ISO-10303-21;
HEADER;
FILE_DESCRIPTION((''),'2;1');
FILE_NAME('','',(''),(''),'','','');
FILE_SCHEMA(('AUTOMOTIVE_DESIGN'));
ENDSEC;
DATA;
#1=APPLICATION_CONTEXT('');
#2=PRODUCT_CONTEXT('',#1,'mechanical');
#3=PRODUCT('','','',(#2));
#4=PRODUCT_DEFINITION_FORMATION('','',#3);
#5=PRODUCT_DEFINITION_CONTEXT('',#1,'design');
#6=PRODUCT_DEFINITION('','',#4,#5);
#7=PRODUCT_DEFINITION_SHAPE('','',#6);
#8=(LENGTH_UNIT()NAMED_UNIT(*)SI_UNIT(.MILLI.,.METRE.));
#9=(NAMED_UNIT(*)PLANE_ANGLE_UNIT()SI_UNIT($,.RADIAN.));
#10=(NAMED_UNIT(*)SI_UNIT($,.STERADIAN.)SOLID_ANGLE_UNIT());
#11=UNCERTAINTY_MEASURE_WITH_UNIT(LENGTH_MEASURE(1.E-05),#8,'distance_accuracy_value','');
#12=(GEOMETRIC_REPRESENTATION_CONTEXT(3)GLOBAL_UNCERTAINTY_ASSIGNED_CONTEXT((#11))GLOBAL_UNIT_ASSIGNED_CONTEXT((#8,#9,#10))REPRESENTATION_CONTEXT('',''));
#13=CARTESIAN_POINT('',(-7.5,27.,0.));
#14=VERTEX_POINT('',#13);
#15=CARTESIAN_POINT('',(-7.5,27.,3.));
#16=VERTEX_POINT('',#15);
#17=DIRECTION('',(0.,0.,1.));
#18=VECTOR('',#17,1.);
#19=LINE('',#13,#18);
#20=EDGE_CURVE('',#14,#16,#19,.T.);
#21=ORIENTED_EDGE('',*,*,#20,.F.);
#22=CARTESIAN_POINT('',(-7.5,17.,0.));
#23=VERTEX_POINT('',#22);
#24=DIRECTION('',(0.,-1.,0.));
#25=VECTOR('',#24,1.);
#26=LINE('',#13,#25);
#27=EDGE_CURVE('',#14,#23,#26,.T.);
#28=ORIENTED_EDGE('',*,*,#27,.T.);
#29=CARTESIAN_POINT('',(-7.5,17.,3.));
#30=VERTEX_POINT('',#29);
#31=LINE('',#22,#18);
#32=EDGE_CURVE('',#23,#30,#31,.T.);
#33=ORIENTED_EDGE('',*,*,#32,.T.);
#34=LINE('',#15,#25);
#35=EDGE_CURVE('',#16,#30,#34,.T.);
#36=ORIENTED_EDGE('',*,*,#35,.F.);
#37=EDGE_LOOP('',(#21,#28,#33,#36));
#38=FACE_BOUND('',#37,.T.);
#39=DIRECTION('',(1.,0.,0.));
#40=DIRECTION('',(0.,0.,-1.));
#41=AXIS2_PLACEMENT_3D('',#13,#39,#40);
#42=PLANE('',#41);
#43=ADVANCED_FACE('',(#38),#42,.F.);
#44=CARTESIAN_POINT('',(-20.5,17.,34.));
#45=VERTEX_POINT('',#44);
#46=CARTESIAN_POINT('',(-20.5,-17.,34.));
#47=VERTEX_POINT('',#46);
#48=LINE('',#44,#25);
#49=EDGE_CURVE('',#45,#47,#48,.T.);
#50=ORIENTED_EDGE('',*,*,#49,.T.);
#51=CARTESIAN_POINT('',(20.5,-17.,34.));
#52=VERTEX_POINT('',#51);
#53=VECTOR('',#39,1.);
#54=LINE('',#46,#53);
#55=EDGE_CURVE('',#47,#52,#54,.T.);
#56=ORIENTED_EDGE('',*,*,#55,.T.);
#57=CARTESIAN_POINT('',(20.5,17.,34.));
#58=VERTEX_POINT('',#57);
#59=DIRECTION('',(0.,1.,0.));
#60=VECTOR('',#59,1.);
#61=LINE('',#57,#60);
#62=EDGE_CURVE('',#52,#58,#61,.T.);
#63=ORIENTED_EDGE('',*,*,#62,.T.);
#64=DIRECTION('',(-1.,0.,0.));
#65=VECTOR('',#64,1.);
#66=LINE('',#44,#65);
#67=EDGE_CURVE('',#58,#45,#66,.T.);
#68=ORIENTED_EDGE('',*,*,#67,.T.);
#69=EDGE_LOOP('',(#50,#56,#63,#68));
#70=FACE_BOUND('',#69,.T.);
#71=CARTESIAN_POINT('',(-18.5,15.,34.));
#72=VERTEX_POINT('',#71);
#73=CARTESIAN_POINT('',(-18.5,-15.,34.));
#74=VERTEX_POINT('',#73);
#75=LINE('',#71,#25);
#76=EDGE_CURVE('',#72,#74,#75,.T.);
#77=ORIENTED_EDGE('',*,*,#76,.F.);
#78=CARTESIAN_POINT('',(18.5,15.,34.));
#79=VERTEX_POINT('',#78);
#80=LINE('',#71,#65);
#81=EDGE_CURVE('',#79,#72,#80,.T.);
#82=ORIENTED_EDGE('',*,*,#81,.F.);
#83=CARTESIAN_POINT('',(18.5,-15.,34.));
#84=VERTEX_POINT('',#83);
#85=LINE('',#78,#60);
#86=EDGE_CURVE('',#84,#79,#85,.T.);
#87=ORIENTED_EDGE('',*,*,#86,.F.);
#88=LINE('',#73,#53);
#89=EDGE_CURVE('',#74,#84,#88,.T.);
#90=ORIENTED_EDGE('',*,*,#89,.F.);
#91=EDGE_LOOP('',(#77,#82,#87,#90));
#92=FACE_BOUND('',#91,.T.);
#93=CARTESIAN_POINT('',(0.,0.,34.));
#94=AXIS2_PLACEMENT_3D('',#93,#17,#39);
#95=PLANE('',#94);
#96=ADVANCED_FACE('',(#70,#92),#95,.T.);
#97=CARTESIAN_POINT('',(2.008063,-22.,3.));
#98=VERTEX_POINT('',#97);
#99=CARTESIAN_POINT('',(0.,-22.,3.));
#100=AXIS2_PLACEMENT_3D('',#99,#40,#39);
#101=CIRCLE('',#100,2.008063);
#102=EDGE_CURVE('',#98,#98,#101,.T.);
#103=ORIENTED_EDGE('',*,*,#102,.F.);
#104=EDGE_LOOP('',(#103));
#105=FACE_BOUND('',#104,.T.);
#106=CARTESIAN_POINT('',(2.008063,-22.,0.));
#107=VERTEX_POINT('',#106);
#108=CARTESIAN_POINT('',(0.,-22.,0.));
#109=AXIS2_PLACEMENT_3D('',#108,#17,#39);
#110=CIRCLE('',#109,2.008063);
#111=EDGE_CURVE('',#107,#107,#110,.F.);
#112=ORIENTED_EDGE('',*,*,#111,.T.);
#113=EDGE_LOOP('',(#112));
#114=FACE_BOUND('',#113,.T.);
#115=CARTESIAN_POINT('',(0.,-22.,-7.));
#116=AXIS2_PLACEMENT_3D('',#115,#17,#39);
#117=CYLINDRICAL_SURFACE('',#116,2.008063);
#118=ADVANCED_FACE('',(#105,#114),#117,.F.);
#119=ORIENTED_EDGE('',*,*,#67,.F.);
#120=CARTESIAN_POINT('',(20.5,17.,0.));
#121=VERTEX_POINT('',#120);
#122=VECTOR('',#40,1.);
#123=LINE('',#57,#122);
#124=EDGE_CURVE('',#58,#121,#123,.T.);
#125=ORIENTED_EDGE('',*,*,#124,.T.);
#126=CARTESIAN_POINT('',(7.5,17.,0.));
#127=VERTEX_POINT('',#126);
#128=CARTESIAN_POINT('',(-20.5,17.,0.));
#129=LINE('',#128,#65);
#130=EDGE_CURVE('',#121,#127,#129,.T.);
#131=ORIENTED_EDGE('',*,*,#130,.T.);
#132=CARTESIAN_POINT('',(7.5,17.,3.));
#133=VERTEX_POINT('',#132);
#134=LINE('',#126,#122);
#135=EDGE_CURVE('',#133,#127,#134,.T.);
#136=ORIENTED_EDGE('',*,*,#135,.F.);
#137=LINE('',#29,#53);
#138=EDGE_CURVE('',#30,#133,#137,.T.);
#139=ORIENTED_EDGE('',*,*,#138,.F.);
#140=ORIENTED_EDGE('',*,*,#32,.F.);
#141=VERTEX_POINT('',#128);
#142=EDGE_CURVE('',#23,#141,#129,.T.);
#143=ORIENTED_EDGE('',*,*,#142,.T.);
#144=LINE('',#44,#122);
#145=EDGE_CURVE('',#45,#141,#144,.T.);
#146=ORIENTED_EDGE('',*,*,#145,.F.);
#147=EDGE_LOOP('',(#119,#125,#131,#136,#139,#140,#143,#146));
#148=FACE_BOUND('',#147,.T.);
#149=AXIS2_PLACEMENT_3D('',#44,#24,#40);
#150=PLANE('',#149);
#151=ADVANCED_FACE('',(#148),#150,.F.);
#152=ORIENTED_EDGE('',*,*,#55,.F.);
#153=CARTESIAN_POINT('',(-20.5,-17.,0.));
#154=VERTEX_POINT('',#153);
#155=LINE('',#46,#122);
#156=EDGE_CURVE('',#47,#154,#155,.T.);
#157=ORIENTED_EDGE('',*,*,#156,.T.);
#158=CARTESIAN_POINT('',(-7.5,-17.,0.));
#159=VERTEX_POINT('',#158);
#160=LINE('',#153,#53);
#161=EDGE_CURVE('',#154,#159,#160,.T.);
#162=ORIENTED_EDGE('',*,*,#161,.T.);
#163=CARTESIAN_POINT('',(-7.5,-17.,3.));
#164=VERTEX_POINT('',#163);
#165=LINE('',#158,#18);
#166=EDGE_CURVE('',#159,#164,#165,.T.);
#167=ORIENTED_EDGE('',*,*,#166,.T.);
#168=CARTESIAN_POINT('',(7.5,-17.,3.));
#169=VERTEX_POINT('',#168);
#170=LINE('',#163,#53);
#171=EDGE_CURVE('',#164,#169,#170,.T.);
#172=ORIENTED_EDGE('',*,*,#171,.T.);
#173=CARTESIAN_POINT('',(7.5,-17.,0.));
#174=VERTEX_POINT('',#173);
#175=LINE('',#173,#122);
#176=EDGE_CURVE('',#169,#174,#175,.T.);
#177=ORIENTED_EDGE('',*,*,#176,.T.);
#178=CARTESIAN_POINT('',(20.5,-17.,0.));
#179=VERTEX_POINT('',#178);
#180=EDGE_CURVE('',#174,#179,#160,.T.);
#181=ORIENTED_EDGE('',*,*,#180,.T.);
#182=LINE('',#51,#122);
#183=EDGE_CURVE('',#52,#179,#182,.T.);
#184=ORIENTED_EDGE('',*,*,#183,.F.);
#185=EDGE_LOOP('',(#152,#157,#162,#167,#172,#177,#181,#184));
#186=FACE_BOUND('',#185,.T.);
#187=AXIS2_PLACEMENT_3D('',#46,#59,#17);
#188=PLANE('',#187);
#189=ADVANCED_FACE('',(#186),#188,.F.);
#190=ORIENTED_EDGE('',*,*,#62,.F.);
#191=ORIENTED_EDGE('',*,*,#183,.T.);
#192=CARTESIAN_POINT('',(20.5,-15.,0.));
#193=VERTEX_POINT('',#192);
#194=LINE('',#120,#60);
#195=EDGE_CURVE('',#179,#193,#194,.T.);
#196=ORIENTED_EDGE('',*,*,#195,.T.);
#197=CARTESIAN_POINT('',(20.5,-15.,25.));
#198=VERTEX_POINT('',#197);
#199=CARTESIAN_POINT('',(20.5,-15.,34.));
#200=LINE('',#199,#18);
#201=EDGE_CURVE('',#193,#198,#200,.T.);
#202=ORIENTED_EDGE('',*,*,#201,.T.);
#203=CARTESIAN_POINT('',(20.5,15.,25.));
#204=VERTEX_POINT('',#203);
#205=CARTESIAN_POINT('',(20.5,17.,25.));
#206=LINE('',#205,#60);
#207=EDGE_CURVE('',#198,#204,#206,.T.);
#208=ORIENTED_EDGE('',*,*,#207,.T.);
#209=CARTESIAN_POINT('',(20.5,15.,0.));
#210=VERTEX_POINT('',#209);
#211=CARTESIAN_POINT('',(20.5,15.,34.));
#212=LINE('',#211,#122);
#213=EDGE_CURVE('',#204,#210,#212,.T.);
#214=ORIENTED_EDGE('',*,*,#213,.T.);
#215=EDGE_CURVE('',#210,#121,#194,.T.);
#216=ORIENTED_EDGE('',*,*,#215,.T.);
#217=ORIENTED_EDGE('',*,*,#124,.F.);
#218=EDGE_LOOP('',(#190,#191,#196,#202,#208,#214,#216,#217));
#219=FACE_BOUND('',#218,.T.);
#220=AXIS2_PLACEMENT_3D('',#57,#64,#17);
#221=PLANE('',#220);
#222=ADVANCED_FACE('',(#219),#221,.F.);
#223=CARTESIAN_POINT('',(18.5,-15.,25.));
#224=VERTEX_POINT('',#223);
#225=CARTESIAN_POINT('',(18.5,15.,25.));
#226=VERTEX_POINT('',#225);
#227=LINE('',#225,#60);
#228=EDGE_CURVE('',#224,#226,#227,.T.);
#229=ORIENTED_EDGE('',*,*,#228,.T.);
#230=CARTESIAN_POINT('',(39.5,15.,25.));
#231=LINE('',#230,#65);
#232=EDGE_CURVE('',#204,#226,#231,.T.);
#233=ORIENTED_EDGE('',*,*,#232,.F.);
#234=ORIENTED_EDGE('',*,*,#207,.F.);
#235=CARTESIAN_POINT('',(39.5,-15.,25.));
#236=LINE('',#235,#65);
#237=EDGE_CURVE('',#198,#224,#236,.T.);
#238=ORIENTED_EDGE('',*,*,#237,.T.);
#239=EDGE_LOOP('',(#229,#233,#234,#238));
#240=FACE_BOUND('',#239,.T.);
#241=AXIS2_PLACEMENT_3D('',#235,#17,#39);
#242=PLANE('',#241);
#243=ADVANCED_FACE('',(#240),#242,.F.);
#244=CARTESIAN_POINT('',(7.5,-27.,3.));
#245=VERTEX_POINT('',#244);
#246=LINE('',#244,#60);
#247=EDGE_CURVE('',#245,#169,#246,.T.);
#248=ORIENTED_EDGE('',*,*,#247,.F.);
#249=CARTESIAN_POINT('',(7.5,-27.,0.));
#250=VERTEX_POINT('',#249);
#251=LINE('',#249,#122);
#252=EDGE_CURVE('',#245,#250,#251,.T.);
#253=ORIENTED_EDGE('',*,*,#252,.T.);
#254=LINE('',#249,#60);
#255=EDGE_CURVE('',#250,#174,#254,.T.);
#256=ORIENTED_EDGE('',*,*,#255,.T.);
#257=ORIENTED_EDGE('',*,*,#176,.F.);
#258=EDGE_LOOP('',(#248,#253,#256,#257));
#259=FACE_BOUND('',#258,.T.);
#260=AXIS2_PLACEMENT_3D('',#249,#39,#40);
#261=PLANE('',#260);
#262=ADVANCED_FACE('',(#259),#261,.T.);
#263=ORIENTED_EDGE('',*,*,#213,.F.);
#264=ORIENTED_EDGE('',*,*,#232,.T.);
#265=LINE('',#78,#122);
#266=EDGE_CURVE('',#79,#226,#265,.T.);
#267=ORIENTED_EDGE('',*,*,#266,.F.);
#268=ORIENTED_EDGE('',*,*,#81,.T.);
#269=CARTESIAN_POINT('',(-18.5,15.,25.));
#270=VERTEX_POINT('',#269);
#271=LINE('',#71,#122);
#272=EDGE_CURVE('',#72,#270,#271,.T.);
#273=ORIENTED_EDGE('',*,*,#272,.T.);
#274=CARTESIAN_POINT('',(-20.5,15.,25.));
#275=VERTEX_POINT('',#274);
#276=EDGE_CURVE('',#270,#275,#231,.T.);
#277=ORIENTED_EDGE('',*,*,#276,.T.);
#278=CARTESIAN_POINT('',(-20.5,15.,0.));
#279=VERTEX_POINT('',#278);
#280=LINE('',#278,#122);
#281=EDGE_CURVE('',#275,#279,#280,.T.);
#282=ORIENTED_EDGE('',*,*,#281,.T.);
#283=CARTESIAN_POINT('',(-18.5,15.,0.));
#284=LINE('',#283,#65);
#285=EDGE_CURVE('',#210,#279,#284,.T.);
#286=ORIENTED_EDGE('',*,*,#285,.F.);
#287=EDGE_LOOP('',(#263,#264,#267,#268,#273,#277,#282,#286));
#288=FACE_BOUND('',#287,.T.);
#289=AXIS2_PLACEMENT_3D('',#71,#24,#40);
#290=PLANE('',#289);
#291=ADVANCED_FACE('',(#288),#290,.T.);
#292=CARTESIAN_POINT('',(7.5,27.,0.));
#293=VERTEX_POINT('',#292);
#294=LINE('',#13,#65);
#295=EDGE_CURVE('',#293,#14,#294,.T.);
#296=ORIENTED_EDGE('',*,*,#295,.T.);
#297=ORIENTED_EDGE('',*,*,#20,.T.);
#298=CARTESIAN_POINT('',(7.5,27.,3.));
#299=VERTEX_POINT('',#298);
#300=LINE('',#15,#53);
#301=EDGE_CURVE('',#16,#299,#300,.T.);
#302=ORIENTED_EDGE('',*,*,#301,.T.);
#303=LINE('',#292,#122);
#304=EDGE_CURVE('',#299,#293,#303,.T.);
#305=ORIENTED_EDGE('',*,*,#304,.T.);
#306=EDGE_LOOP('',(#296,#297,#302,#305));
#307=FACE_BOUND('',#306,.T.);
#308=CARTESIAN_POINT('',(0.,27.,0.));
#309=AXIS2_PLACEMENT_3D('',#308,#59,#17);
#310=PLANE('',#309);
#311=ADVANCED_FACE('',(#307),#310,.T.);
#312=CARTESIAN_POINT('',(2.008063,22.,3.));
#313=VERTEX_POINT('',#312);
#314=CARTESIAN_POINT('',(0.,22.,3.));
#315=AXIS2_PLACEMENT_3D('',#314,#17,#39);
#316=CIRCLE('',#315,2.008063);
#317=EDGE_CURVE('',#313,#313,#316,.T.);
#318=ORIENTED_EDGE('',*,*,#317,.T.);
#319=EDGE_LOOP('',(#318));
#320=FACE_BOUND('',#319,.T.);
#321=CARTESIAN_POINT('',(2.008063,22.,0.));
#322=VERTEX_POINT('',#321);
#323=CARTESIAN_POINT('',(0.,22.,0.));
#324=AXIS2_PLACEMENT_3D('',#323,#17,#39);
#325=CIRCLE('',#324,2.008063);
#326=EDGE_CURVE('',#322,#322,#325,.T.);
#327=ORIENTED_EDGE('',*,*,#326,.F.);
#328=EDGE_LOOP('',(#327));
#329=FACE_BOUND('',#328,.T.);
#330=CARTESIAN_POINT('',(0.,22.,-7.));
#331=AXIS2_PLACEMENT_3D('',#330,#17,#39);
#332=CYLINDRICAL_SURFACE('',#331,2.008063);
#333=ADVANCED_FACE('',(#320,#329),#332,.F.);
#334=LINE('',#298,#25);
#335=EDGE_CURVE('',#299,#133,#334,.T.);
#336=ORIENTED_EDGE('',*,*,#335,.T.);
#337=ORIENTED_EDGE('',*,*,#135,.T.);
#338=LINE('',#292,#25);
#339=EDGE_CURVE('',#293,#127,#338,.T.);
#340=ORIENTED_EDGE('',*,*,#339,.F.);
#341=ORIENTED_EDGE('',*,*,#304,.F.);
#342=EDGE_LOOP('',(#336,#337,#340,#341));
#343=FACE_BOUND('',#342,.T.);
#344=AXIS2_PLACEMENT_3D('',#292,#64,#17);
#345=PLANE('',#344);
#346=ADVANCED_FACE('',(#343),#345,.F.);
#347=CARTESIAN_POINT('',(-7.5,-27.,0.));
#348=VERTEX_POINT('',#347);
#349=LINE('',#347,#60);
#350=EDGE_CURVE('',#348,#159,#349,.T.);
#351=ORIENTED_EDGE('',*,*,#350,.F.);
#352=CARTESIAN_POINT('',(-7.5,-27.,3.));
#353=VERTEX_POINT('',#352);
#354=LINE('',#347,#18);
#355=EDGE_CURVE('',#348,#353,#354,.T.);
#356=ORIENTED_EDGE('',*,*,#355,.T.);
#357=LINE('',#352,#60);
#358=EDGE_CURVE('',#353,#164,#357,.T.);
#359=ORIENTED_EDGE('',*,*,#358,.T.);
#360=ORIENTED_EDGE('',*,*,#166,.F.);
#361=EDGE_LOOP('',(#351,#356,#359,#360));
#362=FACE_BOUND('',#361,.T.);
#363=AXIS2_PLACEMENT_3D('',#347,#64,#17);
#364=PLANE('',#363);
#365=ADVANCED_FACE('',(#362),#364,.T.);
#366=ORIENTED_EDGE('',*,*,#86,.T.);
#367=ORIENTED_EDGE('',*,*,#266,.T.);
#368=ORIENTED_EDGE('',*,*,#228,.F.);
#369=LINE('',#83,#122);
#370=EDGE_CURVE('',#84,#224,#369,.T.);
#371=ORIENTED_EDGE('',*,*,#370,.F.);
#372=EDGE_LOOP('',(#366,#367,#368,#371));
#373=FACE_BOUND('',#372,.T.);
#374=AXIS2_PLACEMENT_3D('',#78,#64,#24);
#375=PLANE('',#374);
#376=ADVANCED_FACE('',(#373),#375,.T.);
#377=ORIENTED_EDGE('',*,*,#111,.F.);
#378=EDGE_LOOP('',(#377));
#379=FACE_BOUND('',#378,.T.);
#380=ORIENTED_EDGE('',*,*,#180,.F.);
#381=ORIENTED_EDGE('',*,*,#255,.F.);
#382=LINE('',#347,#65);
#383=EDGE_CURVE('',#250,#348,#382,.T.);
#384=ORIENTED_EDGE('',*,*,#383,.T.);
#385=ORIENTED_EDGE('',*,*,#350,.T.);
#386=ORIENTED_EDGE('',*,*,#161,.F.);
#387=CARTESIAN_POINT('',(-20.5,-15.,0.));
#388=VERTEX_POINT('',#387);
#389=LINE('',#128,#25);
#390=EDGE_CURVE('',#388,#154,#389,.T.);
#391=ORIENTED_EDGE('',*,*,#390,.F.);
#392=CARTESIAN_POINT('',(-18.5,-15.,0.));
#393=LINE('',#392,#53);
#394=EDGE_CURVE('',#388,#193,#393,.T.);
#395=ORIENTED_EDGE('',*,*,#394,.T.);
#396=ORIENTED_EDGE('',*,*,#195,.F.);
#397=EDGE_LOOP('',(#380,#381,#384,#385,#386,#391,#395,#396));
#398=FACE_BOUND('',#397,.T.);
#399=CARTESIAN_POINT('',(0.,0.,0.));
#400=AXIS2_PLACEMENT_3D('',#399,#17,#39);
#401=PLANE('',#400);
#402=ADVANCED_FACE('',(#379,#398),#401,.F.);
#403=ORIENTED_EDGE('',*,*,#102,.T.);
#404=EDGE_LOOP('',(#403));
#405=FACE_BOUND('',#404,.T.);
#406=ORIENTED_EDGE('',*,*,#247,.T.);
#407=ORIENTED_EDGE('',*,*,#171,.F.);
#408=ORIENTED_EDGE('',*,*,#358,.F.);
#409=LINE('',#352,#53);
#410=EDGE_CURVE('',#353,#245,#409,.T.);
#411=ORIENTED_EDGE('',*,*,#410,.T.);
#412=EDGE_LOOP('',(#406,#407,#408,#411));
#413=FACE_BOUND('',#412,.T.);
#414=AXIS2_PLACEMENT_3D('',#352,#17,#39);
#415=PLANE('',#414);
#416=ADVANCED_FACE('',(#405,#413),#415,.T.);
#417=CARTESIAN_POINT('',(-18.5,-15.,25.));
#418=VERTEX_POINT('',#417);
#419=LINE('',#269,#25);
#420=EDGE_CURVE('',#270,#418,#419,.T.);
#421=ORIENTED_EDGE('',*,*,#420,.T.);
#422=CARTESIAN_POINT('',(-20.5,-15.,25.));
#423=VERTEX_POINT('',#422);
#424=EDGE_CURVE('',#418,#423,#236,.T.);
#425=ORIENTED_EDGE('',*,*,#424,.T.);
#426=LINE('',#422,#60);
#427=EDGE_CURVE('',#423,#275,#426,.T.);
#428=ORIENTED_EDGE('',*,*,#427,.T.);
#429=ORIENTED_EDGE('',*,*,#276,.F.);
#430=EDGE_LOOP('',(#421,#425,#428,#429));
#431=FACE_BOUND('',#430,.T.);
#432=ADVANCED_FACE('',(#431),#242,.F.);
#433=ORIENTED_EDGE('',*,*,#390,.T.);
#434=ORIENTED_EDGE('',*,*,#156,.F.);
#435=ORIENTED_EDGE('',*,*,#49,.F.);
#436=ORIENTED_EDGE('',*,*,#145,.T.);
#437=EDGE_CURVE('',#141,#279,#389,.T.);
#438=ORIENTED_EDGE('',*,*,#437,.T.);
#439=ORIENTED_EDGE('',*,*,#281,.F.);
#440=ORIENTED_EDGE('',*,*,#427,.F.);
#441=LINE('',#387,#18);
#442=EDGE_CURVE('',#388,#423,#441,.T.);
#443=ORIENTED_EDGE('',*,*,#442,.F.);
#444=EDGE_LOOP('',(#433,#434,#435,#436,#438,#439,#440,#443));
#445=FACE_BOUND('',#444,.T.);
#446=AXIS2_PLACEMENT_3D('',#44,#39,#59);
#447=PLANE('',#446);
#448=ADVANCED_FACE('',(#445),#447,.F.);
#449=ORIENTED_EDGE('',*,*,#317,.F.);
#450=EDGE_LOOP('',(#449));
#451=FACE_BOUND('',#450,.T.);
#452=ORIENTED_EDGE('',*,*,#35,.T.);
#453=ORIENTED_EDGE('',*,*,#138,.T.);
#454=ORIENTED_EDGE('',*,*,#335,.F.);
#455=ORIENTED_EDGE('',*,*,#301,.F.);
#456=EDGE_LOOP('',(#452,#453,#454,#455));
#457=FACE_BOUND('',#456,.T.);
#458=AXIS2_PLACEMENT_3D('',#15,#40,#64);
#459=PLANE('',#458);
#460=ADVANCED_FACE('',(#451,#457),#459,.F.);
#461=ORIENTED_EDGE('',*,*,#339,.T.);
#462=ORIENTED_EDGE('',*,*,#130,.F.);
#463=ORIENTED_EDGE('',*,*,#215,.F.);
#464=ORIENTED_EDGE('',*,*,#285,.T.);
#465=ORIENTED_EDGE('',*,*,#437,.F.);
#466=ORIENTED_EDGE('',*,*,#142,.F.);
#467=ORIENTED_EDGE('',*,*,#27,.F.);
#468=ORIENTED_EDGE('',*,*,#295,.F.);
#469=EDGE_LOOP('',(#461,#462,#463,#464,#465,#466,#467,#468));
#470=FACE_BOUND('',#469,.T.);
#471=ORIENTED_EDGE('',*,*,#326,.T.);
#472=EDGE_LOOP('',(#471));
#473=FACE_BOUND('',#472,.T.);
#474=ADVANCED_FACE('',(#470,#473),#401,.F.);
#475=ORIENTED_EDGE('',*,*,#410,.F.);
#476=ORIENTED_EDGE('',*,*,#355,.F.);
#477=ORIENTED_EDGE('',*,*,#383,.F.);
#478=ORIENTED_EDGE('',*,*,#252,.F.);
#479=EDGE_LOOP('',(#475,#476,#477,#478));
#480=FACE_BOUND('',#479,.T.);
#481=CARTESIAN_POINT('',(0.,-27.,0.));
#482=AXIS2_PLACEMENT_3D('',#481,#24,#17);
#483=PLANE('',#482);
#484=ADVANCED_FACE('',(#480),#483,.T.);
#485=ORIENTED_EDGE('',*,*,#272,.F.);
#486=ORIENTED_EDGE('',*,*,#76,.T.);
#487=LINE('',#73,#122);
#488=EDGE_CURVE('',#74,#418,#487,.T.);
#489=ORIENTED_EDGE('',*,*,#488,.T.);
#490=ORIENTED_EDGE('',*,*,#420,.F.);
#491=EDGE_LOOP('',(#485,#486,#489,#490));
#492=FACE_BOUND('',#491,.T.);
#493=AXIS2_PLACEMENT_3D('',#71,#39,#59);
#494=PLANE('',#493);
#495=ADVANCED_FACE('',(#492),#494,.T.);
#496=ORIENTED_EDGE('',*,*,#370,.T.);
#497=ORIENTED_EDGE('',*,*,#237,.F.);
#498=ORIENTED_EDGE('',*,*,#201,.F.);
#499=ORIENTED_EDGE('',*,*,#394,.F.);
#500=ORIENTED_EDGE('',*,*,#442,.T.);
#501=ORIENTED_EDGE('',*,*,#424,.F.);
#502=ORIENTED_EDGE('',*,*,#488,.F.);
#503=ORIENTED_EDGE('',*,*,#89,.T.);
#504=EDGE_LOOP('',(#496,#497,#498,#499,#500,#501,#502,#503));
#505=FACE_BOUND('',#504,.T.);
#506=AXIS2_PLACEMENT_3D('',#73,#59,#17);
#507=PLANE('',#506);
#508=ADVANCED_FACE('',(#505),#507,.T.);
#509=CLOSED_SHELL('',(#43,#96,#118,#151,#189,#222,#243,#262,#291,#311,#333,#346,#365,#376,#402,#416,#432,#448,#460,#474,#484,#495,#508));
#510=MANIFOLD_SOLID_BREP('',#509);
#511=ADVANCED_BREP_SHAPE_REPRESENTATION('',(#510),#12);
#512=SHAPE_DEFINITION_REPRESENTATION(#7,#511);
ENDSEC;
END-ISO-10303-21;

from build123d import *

# Parameters (mm, degrees)
SKETCH_1_W          = 41
SKETCH_1_H          = 34
SKETCH_1_W_2        = 37
SKETCH_1_H_2        = 30
EXTRUDE_1_DEPTH     = 34
SKETCH_2_W          = 15
SKETCH_2_H          = 3
EXTRUDE_2_DEPTH     = 10
SKETCH_3_R          = 2.008063055
CUT_EXTRUDE_1_DEPTH = 10
SKETCH_4_W          = 25
SKETCH_4_H          = 30
CUT_EXTRUDE_2_DEPTH = 60


with BuildPart() as part:
    # 草圖1 → 填料-伸長1 (new body)
    with BuildSketch(Plane.XY):
        Rectangle(SKETCH_1_W, SKETCH_1_H)
        Rectangle(SKETCH_1_W_2, SKETCH_1_H_2, mode=Mode.SUBTRACT)
    extrude(amount=EXTRUDE_1_DEPTH)

    # 草圖2 → 填料-伸長2 (add)
    with BuildSketch(Plane(origin=(0, 17, 0), x_dir=(1, 0, 0), z_dir=(0, 1, 0))):
        with Locations((0, -1.5)):
            Rectangle(SKETCH_2_W, SKETCH_2_H)
    extrude_2 = extrude(amount=EXTRUDE_2_DEPTH)

    # 草圖3 → 除料-伸長1 (cut)
    with BuildSketch(Plane.XY.offset(3)):
        with Locations((0, 22)):
            Circle(SKETCH_3_R)
    cut_extrude_1 = extrude(amount=-CUT_EXTRUDE_1_DEPTH, mode=Mode.SUBTRACT)

    # 鏡射1: 填料-伸長2, 除料-伸長1 across plane
    add(extrude_2.mirror(Plane.ZX))
    add(cut_extrude_1.mirror(Plane.ZX), mode=Mode.SUBTRACT)

    # 草圖4 → 除料-伸長2 (cut)
    with BuildSketch(Plane.ZY.offset(20.5)):
        with Locations((12.5, 0)):
            Rectangle(SKETCH_4_W, SKETCH_4_H)
    extrude(amount=-CUT_EXTRUDE_2_DEPTH, mode=Mode.SUBTRACT)


solid = part.part
